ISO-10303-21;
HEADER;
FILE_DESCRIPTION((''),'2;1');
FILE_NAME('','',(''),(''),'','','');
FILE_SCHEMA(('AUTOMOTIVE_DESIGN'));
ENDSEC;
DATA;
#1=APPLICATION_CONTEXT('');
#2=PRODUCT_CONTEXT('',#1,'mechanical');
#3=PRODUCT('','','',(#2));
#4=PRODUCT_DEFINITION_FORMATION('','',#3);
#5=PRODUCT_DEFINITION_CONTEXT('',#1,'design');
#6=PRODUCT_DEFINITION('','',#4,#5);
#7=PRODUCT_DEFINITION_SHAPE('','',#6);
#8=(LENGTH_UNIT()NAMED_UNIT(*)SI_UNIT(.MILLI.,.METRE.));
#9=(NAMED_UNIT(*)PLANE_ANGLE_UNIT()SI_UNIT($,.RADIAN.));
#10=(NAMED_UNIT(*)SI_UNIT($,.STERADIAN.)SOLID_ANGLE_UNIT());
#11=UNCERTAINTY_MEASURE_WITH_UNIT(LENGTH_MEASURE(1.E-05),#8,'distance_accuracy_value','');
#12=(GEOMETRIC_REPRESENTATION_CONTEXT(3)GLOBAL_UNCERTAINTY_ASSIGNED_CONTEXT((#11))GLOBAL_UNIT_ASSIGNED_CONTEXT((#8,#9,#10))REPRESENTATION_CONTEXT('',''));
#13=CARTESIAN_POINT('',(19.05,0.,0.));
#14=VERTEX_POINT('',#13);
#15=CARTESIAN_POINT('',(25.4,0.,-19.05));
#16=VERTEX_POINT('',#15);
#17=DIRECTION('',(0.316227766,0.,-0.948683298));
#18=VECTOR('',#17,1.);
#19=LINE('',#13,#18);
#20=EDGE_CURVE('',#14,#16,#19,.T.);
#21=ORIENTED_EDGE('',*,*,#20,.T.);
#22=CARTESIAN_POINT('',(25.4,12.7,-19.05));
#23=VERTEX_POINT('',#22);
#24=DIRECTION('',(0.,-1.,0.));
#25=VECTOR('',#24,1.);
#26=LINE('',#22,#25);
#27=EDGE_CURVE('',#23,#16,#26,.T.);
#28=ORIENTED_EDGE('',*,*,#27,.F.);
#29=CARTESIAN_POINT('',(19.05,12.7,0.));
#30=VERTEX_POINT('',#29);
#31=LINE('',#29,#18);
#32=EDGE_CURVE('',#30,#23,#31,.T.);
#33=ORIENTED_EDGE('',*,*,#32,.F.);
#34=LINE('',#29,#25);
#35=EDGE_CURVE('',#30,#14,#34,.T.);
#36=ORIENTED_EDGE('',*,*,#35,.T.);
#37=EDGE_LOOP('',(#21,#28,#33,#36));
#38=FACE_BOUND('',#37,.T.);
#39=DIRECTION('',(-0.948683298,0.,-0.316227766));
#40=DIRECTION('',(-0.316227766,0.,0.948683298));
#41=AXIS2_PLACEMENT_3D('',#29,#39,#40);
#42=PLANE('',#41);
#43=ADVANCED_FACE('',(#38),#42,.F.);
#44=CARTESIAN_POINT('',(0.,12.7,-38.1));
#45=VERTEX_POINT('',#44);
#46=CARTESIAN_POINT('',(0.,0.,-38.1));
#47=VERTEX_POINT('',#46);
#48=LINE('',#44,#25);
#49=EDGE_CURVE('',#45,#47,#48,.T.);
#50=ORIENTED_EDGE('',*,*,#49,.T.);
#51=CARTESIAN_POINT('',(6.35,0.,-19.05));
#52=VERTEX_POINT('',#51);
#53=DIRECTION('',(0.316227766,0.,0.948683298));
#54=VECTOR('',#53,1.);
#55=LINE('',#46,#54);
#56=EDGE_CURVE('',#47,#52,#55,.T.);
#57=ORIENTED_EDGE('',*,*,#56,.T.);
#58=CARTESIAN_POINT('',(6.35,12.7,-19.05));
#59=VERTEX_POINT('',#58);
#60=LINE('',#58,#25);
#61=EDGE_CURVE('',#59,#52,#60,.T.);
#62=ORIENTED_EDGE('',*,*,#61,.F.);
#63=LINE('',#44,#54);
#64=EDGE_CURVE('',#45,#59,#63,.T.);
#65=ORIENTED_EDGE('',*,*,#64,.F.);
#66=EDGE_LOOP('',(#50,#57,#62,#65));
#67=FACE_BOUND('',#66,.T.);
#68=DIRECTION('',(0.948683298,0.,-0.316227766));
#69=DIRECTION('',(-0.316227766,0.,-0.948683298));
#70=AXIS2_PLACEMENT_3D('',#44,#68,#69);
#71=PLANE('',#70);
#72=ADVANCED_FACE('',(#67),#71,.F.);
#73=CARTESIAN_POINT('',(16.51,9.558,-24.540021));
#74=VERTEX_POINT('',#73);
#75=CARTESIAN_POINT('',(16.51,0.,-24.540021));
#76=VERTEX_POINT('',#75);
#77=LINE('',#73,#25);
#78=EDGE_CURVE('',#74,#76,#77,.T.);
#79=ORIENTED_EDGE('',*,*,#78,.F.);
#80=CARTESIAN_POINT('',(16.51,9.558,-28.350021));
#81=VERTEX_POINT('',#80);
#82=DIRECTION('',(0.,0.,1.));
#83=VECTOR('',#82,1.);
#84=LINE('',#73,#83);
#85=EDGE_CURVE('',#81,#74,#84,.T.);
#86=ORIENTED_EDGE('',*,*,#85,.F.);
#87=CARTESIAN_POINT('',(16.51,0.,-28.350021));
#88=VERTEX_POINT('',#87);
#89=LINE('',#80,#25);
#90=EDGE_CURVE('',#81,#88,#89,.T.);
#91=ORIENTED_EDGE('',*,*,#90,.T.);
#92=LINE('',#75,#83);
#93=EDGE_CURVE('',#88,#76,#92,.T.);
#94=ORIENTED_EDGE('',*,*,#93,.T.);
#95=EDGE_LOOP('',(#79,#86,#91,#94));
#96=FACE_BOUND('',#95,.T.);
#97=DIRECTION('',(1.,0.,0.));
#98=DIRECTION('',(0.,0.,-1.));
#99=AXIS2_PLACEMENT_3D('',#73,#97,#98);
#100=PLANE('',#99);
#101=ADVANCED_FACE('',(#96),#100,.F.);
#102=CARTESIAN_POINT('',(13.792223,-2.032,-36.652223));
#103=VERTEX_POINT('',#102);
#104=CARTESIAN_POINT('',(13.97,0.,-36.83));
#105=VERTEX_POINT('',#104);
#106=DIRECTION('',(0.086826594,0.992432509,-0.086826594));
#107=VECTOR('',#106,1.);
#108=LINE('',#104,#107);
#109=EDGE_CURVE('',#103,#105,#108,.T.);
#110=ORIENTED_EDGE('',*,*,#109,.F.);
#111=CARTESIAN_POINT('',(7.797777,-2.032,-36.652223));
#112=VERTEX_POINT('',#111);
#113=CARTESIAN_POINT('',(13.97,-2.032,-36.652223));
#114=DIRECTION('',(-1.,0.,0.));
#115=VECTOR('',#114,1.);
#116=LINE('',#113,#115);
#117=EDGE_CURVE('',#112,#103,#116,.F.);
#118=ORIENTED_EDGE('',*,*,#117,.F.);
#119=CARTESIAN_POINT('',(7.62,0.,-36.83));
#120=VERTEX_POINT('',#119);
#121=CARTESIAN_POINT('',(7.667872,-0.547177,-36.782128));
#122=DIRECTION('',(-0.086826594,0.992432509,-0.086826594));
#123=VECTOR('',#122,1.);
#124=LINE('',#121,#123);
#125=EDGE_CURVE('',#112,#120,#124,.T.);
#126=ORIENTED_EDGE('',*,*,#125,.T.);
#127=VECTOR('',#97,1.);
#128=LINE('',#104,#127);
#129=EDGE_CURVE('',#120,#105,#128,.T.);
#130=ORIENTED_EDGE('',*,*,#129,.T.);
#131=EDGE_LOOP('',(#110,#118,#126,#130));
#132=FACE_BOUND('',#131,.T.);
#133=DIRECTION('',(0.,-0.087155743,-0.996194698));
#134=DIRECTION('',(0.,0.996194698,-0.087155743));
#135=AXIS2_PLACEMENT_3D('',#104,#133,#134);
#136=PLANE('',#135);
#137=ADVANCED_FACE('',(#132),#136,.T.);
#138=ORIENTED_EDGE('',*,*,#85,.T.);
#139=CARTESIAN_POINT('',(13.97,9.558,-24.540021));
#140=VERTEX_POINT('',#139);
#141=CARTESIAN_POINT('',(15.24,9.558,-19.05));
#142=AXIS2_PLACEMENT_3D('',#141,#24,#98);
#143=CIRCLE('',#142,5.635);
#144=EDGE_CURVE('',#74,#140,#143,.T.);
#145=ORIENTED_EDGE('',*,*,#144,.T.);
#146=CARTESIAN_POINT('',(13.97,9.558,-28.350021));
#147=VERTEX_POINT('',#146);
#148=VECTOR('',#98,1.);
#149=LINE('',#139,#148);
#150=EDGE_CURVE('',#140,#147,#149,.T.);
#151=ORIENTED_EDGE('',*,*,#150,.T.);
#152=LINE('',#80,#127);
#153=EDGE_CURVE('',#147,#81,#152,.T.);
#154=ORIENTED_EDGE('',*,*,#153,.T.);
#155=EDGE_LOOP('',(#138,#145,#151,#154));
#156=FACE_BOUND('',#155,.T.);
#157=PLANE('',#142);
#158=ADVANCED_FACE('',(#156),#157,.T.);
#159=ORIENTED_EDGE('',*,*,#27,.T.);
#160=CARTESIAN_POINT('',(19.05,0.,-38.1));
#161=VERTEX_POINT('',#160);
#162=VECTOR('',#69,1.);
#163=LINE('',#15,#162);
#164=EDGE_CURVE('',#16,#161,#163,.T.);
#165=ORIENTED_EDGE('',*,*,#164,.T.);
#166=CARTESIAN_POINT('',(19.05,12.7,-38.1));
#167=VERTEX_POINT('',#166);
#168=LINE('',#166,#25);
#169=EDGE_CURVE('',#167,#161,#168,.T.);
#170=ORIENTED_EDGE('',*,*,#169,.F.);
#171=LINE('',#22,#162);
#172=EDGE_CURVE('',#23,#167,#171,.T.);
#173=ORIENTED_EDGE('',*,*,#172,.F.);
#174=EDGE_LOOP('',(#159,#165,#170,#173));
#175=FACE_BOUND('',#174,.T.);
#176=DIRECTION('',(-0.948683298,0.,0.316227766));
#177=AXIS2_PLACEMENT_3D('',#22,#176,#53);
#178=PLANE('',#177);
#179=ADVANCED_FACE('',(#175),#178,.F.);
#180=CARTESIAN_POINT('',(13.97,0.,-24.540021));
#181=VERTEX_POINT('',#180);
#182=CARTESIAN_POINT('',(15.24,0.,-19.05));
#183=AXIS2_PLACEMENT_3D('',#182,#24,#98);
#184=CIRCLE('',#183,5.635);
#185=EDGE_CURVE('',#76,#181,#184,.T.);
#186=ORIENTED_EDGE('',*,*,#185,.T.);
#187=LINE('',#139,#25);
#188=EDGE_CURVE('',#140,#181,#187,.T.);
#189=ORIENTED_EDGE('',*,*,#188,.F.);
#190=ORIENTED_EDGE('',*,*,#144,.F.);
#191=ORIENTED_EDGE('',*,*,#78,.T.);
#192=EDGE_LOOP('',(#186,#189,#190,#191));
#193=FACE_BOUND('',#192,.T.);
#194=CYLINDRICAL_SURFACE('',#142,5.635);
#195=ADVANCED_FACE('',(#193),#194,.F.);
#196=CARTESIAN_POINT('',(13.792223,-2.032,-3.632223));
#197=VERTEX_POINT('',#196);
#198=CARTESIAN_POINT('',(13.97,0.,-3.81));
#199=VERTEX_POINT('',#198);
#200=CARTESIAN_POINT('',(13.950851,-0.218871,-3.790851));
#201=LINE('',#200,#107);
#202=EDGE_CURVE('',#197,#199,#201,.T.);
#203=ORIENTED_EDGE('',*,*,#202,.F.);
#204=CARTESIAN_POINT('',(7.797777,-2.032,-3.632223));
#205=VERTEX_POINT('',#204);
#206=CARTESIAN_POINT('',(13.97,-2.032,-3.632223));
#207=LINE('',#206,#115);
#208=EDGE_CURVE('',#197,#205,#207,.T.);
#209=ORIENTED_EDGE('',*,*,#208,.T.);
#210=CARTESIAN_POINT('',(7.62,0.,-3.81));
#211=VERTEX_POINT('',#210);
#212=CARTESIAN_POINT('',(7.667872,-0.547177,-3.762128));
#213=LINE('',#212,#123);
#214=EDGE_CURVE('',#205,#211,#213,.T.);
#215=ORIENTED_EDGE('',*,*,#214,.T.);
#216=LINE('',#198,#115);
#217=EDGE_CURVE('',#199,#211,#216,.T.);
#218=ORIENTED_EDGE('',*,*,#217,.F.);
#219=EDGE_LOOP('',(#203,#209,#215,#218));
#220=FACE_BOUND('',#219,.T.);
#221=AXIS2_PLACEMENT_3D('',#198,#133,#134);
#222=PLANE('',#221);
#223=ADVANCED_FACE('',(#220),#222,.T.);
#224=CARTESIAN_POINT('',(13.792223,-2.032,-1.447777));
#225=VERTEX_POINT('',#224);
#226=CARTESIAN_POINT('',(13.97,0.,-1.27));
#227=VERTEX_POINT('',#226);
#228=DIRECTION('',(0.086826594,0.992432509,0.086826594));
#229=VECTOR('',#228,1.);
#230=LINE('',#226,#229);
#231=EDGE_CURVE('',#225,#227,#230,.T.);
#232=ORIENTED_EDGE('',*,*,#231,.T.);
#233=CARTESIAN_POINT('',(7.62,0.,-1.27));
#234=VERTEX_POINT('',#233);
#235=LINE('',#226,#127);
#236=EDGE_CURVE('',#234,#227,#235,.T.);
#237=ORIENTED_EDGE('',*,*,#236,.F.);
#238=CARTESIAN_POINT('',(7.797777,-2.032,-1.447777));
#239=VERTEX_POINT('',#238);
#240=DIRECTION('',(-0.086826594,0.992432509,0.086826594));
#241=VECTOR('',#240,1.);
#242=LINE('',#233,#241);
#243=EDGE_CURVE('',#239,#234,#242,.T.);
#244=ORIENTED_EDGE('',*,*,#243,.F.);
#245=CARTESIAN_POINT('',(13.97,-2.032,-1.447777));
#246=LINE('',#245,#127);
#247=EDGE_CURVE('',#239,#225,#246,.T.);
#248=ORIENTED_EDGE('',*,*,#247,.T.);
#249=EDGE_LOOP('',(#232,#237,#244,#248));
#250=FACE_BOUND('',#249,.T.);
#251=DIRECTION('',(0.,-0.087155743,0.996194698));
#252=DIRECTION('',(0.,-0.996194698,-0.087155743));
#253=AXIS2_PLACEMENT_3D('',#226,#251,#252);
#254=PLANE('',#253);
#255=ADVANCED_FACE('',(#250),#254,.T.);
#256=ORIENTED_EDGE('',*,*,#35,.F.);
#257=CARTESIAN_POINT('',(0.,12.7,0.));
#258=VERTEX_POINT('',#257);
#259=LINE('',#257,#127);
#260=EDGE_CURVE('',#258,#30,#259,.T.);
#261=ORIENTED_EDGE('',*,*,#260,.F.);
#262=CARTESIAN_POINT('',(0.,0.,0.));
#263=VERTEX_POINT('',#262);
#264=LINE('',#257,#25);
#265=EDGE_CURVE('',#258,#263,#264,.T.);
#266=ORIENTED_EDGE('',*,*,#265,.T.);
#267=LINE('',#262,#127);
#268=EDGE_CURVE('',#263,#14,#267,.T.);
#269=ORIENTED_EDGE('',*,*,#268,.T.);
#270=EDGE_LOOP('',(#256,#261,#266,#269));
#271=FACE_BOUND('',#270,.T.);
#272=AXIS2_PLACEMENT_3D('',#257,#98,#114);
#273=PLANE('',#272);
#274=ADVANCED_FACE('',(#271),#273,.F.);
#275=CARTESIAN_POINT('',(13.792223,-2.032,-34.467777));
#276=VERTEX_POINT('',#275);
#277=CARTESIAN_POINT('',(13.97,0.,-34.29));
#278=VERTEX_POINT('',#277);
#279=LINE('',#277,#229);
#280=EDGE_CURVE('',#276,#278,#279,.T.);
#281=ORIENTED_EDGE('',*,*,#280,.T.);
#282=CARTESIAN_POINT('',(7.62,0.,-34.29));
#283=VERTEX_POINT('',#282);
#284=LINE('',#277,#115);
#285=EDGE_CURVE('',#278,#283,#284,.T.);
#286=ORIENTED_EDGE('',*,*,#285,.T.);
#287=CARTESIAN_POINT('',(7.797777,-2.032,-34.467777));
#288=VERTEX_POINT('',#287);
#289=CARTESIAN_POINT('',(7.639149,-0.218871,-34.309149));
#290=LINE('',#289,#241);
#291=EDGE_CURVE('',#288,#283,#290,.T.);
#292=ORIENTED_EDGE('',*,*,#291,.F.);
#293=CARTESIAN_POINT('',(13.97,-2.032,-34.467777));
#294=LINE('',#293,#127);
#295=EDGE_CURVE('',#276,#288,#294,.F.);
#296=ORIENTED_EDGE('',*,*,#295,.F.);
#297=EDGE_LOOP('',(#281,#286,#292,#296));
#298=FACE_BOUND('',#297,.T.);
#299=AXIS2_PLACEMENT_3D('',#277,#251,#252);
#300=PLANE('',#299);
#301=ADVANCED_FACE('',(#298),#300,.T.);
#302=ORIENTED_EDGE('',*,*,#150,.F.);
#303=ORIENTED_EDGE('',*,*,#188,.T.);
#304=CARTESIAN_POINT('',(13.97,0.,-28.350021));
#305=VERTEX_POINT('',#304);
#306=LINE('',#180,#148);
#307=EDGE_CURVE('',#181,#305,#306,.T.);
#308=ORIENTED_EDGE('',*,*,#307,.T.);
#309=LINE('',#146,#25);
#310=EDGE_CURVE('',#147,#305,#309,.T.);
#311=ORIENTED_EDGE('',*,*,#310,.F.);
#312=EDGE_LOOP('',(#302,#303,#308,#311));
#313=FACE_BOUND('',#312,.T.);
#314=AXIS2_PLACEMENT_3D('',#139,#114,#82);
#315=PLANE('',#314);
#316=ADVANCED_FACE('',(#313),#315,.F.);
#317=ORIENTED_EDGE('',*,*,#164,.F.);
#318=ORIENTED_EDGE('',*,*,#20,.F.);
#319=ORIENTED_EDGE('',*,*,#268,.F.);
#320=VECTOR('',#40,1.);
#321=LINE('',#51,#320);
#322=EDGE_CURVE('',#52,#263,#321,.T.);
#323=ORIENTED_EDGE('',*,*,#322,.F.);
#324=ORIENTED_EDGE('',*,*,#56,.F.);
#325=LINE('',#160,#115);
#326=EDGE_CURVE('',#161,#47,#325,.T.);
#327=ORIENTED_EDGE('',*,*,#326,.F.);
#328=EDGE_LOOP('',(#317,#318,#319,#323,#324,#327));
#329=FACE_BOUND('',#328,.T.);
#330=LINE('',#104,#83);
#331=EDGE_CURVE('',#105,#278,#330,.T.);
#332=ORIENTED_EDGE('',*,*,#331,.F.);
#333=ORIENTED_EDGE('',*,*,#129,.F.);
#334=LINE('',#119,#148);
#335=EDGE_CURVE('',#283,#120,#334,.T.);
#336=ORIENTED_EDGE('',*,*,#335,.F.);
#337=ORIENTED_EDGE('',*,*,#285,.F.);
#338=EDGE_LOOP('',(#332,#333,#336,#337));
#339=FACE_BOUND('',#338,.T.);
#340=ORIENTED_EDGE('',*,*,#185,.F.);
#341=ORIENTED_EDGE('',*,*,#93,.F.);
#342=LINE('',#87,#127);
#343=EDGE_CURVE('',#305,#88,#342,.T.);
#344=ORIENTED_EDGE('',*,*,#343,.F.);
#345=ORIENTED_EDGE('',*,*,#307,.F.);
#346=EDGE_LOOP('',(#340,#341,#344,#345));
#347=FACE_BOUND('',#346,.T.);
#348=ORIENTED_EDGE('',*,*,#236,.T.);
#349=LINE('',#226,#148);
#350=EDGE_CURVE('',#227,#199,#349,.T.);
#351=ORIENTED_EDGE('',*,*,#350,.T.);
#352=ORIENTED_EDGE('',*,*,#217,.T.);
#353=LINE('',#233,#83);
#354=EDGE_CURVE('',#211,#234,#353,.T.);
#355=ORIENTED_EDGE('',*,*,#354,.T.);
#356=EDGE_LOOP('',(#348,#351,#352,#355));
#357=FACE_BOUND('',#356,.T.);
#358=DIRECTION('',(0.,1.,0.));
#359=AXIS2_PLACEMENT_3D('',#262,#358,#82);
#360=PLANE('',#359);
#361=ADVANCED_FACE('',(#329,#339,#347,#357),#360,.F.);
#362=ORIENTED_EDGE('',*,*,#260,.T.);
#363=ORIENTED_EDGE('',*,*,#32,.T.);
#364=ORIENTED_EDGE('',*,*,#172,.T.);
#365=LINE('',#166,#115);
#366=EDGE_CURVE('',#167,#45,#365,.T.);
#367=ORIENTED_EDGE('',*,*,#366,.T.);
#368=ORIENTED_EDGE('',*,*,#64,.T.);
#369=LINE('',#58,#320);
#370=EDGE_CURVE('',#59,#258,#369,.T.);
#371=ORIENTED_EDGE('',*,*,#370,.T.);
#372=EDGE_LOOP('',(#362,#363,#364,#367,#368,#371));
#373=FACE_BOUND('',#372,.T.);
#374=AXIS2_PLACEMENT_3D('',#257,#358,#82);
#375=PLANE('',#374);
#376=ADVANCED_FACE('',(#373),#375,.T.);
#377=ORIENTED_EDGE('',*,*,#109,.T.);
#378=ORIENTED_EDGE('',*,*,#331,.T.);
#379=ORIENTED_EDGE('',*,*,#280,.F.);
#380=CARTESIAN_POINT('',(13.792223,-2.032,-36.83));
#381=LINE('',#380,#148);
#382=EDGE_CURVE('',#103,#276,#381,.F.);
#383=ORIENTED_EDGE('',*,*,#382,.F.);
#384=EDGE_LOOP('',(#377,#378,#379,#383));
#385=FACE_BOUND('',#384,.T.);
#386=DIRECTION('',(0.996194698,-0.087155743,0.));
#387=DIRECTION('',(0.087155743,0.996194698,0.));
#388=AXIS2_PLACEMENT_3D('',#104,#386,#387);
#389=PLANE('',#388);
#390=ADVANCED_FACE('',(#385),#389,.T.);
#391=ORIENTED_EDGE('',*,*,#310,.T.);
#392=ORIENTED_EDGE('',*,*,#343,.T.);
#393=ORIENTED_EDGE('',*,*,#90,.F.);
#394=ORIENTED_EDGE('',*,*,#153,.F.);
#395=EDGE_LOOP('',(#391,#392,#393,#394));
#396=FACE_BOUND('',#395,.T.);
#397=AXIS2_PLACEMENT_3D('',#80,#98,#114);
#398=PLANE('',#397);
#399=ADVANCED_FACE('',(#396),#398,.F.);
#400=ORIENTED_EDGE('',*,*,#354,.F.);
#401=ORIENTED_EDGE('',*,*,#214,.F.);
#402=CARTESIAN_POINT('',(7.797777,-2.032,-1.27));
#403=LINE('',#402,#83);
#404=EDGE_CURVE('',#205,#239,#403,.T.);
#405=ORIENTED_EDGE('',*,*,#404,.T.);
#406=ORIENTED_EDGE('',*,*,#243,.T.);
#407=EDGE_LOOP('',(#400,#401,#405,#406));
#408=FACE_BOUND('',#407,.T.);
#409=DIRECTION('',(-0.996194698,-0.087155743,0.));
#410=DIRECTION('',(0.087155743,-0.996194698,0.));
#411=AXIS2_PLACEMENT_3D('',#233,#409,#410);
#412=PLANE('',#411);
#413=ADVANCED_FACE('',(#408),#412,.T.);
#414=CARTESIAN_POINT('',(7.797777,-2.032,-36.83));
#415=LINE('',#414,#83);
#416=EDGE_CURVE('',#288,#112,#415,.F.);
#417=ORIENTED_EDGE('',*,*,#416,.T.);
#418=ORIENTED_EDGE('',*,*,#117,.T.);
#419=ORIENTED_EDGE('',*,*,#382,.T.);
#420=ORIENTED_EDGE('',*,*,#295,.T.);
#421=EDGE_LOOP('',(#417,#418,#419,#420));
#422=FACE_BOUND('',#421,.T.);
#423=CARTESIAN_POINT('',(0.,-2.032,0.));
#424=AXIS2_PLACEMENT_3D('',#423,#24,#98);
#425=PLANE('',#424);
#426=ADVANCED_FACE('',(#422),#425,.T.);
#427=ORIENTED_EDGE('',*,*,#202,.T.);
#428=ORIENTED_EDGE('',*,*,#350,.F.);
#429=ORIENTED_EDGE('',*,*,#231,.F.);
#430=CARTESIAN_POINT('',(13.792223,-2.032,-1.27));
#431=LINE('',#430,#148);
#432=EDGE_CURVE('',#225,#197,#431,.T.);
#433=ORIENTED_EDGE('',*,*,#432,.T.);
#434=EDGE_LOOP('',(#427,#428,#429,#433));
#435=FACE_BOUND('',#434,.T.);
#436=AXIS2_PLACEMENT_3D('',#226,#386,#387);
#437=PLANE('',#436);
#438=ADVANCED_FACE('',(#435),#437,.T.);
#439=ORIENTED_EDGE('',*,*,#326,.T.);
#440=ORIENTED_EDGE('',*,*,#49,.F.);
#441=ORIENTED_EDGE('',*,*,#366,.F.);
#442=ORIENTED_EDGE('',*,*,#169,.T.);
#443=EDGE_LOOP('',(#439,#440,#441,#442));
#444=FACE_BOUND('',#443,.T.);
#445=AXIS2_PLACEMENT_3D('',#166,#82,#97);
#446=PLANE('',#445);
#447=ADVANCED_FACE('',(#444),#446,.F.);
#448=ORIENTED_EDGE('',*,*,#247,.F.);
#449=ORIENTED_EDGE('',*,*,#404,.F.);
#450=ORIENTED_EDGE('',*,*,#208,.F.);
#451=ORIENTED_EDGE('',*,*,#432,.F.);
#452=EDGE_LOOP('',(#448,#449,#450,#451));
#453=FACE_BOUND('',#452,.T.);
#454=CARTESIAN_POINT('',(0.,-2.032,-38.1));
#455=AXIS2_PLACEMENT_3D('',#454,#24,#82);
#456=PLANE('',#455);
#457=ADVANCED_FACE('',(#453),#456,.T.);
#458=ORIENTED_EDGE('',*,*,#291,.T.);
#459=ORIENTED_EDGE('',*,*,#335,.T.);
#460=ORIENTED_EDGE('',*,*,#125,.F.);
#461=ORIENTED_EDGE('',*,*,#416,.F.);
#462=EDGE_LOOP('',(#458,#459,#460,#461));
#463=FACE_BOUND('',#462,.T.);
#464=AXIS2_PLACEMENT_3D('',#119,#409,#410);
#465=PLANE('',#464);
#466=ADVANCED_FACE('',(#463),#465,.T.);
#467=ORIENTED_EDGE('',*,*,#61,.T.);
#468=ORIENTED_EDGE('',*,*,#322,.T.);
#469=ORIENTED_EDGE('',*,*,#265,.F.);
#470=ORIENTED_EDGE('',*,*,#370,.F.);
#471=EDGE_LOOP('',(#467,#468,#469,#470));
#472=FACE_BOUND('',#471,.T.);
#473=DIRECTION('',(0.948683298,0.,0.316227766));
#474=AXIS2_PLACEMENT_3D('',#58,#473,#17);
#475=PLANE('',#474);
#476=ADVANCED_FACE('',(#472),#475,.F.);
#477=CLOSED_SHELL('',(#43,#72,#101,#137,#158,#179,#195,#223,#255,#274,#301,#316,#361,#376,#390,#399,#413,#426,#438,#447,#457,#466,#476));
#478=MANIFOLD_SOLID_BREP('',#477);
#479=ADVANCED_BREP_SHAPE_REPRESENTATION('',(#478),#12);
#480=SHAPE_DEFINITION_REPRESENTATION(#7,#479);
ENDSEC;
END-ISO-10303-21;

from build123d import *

# Parameters (mm, degrees)
BOSS_EXTRUDE1_DEPTH       = 12.7
SKETCH2_R                 = 5.635000033
HAPTIC_MOTOR_CUTOUT_DEPTH = 9.557999934
SKETCH3_W                 = 2.54
SKETCH3_H                 = 3.81
HAPTIC_WIRE_CUTOUT_DEPTH  = 9.557999934
SKETCH4_W                 = 6.35
SKETCH4_H                 = 2.54
PINS_DEPTH                = 2.032
PINS_TAPER                = 5


with BuildPart() as part:
    # Sketch1 → Boss-Extrude1 (new body)
    with BuildSketch(Plane(origin=(0, 0, 0), x_dir=(1, 0, 0), z_dir=(0, 1, 0))):
        Polygon((0, 0), (19.05, 0), (25.4, 19.05), (19.05, 38.1), (0, 38.1), (6.35, 19.05), align=None)
    extrude(amount=BOSS_EXTRUDE1_DEPTH)

    # Sketch2 → Haptic Motor Cutout (cut)
    with BuildSketch(Plane.XZ):
        with Locations((15.24, -19.05)):
            Circle(SKETCH2_R)
    extrude(amount=-HAPTIC_MOTOR_CUTOUT_DEPTH, mode=Mode.SUBTRACT)

    # Sketch3 → Haptic Wire Cutout (cut)
    with BuildSketch(Plane.XZ):
        with Locations((15.24, -26.445020526)):
            Rectangle(SKETCH3_W, SKETCH3_H)
    extrude(amount=-HAPTIC_WIRE_CUTOUT_DEPTH, mode=Mode.SUBTRACT)

    # Sketch4 → Pins (add)
    with BuildSketch(Plane.XZ):
        with Locations((10.795, -35.56)):
            Rectangle(SKETCH4_W, SKETCH4_H)
    pins = extrude(amount=PINS_DEPTH, taper=PINS_TAPER)

    # Mirror1: Pins across plane
    add(pins.mirror(Plane(origin=(0, 0, -19.05), x_dir=(1, 0, 0), z_dir=(0, 0, -1))))


solid = part.part
